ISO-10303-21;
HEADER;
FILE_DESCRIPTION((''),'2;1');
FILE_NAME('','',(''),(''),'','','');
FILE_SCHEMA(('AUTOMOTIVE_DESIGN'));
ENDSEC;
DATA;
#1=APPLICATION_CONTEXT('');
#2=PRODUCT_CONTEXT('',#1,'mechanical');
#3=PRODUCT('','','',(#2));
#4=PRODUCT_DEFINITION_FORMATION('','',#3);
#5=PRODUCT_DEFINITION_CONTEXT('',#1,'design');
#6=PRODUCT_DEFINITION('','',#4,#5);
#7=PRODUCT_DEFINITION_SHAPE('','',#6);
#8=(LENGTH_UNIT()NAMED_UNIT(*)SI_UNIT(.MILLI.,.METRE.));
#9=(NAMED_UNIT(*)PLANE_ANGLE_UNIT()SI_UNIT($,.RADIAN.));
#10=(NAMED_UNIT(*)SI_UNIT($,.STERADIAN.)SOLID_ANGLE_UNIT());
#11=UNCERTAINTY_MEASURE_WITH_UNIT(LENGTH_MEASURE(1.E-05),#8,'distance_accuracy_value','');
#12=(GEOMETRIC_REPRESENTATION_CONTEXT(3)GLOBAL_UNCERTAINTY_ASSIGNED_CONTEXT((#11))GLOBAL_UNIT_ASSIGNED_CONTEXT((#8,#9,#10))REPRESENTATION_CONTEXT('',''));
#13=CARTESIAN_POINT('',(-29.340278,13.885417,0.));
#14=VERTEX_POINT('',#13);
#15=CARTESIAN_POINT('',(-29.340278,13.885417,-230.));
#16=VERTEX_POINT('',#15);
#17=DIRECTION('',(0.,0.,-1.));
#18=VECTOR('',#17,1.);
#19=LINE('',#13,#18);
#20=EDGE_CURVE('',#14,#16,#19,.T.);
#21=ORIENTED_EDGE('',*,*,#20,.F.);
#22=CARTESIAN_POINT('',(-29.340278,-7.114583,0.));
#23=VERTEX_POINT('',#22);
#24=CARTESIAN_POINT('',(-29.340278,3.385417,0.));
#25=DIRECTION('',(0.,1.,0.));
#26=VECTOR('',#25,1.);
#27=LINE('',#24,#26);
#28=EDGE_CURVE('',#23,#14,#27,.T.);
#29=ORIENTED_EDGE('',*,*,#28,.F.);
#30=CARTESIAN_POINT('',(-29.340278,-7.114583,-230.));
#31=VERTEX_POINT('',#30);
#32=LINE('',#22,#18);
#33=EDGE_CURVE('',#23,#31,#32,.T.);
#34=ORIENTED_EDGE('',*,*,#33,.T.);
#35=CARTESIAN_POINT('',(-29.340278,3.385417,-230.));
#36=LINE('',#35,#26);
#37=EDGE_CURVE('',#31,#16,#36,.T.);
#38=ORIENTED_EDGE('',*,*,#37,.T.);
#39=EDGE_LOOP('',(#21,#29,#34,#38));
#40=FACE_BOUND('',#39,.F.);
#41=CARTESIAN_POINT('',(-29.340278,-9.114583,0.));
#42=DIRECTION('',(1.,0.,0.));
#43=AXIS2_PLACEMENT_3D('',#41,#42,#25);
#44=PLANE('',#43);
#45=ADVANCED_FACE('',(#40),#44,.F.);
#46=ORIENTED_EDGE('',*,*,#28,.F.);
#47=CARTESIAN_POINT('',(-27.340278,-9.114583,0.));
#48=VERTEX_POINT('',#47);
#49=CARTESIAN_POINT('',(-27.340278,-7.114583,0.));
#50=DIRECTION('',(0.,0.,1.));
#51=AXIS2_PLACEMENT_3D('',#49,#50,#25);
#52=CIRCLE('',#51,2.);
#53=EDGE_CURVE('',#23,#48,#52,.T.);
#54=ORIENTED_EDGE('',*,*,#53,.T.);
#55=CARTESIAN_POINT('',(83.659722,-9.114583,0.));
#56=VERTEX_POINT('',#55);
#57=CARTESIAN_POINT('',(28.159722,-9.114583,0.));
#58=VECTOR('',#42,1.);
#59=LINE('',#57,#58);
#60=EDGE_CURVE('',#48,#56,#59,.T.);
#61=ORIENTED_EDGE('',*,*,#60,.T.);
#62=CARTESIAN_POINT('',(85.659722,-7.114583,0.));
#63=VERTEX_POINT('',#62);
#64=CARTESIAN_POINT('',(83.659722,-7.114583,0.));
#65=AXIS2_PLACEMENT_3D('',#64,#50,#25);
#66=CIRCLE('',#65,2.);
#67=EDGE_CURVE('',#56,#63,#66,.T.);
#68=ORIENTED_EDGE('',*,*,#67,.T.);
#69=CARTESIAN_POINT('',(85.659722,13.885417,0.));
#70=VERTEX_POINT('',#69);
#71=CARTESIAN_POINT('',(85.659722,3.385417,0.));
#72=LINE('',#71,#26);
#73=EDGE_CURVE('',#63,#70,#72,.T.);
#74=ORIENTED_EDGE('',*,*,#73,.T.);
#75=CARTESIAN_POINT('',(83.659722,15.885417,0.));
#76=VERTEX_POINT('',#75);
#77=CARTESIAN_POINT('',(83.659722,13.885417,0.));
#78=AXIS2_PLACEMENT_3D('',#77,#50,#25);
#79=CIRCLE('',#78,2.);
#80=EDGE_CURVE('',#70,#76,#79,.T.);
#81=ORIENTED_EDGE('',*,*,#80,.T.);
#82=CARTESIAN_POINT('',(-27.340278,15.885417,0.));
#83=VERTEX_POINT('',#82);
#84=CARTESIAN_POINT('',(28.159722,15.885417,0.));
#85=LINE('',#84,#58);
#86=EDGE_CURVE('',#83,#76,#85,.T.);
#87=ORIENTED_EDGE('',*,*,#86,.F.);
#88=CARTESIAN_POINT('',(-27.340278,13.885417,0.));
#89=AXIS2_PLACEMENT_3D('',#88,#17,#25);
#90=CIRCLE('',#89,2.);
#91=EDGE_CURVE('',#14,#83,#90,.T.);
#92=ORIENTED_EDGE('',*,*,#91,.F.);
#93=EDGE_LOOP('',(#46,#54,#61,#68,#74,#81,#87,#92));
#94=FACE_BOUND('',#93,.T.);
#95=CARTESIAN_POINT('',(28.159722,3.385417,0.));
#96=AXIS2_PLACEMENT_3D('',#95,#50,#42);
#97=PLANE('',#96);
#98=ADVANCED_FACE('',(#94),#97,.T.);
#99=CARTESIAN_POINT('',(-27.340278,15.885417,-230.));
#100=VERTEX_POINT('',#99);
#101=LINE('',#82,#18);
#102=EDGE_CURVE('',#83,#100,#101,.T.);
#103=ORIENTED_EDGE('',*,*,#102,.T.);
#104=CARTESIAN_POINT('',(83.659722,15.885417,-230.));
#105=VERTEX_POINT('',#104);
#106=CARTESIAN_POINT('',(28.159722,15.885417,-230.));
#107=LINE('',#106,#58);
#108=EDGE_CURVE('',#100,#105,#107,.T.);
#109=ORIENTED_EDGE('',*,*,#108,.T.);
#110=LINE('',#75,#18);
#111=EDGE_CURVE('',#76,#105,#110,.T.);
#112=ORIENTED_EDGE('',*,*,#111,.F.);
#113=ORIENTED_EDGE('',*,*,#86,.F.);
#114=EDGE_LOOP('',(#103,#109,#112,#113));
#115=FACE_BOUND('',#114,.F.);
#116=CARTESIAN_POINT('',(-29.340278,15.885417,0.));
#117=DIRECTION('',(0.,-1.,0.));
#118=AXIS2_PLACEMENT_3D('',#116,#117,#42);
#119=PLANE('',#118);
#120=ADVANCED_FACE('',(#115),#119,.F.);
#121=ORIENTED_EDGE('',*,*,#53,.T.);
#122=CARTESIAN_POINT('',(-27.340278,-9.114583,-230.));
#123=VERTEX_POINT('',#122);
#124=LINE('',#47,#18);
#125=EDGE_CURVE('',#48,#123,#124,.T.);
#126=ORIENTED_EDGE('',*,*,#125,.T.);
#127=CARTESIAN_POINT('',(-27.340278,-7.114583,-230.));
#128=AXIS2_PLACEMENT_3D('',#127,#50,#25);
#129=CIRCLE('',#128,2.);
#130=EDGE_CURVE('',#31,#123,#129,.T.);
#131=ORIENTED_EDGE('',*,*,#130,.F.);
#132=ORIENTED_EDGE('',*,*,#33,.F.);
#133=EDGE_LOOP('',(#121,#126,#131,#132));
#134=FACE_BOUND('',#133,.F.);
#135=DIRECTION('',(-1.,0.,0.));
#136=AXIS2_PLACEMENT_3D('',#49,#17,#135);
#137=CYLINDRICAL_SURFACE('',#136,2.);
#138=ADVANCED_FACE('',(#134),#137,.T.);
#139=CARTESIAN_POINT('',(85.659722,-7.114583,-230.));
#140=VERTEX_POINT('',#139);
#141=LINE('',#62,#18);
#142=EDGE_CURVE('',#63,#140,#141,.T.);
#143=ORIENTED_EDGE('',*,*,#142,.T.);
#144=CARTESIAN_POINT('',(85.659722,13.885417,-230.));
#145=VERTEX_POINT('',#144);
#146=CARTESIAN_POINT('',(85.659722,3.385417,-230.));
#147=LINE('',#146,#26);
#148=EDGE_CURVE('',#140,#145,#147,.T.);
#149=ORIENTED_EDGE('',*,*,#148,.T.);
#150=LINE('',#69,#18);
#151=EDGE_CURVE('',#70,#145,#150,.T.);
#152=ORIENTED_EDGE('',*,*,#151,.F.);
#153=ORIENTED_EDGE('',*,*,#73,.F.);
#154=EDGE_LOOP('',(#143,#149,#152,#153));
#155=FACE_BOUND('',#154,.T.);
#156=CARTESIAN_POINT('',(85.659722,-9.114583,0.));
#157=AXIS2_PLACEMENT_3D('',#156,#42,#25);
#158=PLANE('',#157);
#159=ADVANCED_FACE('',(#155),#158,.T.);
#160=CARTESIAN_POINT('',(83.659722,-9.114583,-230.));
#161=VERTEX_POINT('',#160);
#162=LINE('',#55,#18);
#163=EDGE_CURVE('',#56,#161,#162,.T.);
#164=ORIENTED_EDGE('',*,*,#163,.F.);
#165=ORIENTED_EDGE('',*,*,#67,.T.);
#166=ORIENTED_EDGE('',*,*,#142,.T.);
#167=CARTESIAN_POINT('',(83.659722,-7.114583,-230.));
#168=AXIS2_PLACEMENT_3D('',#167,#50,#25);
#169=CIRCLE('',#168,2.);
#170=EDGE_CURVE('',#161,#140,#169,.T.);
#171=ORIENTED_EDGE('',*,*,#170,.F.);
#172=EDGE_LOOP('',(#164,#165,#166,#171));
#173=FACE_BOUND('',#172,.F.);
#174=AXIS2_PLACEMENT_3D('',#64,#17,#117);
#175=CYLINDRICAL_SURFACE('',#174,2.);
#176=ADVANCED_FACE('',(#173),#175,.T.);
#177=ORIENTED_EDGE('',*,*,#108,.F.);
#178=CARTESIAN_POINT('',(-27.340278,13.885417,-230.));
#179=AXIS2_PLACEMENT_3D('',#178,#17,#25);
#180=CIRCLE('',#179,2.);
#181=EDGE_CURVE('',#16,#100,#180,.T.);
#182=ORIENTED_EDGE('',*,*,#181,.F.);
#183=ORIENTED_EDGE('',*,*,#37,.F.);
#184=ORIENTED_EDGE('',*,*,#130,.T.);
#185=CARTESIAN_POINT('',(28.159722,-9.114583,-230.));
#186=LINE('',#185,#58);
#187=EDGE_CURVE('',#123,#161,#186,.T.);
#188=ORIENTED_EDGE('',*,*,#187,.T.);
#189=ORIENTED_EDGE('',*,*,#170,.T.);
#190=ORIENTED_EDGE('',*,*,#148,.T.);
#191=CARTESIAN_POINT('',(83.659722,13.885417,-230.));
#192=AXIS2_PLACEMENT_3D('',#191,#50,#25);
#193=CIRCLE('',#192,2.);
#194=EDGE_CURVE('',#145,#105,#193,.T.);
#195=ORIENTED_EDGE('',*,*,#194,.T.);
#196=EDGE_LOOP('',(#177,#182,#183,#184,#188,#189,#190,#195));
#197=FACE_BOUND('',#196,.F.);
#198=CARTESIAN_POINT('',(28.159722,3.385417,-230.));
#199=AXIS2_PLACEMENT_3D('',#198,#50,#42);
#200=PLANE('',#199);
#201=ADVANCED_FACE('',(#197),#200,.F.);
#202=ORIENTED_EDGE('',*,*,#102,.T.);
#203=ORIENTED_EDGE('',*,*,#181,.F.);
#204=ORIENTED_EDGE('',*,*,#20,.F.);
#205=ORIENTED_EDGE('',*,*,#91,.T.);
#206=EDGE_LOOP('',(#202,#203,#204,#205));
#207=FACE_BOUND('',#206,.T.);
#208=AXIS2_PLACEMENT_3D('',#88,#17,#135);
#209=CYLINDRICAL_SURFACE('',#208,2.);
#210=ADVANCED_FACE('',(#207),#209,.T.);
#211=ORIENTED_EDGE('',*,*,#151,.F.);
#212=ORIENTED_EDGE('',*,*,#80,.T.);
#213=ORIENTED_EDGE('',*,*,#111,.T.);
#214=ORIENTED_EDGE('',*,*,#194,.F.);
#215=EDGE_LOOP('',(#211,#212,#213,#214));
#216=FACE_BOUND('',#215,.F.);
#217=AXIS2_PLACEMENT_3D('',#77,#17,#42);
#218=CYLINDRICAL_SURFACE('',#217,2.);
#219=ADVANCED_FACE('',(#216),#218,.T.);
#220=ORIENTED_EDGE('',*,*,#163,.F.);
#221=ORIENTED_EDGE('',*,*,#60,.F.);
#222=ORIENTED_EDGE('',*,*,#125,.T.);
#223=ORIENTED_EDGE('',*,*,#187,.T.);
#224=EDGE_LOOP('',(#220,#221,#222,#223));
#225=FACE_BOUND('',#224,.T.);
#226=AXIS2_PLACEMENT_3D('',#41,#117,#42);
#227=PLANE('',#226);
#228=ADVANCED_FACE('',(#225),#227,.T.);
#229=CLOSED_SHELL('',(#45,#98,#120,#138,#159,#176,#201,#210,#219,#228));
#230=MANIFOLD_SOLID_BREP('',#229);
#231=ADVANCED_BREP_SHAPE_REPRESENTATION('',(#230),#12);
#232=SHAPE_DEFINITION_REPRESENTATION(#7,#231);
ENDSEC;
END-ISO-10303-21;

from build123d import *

# Parameters (mm, degrees)
SKETCH1_W           = 115
SKETCH1_H           = 25
BOSS_EXTRUDE1_DEPTH = 230
FILLET1_R           = 2


with BuildPart() as part:
    # Sketch1 → Boss-Extrude1 (new body)
    with BuildSketch(Plane.XY):
        with Locations((28.159722222, 3.385416667)):
            Rectangle(SKETCH1_W, SKETCH1_H)
    extrude(amount=-BOSS_EXTRUDE1_DEPTH)

    # Fillet1
    fillet1_edges = [part.edges().sort_by_distance(p)[0] for p in [
        (-29.340277778, 15.885416667, -115),
        (85.659722222, 15.885416667, -115),
        (85.659722222, -9.114583333, -115),
        (-29.340277778, -9.114583333, -115),
    ]]
    fillet(fillet1_edges, radius=FILLET1_R)


solid = part.part
